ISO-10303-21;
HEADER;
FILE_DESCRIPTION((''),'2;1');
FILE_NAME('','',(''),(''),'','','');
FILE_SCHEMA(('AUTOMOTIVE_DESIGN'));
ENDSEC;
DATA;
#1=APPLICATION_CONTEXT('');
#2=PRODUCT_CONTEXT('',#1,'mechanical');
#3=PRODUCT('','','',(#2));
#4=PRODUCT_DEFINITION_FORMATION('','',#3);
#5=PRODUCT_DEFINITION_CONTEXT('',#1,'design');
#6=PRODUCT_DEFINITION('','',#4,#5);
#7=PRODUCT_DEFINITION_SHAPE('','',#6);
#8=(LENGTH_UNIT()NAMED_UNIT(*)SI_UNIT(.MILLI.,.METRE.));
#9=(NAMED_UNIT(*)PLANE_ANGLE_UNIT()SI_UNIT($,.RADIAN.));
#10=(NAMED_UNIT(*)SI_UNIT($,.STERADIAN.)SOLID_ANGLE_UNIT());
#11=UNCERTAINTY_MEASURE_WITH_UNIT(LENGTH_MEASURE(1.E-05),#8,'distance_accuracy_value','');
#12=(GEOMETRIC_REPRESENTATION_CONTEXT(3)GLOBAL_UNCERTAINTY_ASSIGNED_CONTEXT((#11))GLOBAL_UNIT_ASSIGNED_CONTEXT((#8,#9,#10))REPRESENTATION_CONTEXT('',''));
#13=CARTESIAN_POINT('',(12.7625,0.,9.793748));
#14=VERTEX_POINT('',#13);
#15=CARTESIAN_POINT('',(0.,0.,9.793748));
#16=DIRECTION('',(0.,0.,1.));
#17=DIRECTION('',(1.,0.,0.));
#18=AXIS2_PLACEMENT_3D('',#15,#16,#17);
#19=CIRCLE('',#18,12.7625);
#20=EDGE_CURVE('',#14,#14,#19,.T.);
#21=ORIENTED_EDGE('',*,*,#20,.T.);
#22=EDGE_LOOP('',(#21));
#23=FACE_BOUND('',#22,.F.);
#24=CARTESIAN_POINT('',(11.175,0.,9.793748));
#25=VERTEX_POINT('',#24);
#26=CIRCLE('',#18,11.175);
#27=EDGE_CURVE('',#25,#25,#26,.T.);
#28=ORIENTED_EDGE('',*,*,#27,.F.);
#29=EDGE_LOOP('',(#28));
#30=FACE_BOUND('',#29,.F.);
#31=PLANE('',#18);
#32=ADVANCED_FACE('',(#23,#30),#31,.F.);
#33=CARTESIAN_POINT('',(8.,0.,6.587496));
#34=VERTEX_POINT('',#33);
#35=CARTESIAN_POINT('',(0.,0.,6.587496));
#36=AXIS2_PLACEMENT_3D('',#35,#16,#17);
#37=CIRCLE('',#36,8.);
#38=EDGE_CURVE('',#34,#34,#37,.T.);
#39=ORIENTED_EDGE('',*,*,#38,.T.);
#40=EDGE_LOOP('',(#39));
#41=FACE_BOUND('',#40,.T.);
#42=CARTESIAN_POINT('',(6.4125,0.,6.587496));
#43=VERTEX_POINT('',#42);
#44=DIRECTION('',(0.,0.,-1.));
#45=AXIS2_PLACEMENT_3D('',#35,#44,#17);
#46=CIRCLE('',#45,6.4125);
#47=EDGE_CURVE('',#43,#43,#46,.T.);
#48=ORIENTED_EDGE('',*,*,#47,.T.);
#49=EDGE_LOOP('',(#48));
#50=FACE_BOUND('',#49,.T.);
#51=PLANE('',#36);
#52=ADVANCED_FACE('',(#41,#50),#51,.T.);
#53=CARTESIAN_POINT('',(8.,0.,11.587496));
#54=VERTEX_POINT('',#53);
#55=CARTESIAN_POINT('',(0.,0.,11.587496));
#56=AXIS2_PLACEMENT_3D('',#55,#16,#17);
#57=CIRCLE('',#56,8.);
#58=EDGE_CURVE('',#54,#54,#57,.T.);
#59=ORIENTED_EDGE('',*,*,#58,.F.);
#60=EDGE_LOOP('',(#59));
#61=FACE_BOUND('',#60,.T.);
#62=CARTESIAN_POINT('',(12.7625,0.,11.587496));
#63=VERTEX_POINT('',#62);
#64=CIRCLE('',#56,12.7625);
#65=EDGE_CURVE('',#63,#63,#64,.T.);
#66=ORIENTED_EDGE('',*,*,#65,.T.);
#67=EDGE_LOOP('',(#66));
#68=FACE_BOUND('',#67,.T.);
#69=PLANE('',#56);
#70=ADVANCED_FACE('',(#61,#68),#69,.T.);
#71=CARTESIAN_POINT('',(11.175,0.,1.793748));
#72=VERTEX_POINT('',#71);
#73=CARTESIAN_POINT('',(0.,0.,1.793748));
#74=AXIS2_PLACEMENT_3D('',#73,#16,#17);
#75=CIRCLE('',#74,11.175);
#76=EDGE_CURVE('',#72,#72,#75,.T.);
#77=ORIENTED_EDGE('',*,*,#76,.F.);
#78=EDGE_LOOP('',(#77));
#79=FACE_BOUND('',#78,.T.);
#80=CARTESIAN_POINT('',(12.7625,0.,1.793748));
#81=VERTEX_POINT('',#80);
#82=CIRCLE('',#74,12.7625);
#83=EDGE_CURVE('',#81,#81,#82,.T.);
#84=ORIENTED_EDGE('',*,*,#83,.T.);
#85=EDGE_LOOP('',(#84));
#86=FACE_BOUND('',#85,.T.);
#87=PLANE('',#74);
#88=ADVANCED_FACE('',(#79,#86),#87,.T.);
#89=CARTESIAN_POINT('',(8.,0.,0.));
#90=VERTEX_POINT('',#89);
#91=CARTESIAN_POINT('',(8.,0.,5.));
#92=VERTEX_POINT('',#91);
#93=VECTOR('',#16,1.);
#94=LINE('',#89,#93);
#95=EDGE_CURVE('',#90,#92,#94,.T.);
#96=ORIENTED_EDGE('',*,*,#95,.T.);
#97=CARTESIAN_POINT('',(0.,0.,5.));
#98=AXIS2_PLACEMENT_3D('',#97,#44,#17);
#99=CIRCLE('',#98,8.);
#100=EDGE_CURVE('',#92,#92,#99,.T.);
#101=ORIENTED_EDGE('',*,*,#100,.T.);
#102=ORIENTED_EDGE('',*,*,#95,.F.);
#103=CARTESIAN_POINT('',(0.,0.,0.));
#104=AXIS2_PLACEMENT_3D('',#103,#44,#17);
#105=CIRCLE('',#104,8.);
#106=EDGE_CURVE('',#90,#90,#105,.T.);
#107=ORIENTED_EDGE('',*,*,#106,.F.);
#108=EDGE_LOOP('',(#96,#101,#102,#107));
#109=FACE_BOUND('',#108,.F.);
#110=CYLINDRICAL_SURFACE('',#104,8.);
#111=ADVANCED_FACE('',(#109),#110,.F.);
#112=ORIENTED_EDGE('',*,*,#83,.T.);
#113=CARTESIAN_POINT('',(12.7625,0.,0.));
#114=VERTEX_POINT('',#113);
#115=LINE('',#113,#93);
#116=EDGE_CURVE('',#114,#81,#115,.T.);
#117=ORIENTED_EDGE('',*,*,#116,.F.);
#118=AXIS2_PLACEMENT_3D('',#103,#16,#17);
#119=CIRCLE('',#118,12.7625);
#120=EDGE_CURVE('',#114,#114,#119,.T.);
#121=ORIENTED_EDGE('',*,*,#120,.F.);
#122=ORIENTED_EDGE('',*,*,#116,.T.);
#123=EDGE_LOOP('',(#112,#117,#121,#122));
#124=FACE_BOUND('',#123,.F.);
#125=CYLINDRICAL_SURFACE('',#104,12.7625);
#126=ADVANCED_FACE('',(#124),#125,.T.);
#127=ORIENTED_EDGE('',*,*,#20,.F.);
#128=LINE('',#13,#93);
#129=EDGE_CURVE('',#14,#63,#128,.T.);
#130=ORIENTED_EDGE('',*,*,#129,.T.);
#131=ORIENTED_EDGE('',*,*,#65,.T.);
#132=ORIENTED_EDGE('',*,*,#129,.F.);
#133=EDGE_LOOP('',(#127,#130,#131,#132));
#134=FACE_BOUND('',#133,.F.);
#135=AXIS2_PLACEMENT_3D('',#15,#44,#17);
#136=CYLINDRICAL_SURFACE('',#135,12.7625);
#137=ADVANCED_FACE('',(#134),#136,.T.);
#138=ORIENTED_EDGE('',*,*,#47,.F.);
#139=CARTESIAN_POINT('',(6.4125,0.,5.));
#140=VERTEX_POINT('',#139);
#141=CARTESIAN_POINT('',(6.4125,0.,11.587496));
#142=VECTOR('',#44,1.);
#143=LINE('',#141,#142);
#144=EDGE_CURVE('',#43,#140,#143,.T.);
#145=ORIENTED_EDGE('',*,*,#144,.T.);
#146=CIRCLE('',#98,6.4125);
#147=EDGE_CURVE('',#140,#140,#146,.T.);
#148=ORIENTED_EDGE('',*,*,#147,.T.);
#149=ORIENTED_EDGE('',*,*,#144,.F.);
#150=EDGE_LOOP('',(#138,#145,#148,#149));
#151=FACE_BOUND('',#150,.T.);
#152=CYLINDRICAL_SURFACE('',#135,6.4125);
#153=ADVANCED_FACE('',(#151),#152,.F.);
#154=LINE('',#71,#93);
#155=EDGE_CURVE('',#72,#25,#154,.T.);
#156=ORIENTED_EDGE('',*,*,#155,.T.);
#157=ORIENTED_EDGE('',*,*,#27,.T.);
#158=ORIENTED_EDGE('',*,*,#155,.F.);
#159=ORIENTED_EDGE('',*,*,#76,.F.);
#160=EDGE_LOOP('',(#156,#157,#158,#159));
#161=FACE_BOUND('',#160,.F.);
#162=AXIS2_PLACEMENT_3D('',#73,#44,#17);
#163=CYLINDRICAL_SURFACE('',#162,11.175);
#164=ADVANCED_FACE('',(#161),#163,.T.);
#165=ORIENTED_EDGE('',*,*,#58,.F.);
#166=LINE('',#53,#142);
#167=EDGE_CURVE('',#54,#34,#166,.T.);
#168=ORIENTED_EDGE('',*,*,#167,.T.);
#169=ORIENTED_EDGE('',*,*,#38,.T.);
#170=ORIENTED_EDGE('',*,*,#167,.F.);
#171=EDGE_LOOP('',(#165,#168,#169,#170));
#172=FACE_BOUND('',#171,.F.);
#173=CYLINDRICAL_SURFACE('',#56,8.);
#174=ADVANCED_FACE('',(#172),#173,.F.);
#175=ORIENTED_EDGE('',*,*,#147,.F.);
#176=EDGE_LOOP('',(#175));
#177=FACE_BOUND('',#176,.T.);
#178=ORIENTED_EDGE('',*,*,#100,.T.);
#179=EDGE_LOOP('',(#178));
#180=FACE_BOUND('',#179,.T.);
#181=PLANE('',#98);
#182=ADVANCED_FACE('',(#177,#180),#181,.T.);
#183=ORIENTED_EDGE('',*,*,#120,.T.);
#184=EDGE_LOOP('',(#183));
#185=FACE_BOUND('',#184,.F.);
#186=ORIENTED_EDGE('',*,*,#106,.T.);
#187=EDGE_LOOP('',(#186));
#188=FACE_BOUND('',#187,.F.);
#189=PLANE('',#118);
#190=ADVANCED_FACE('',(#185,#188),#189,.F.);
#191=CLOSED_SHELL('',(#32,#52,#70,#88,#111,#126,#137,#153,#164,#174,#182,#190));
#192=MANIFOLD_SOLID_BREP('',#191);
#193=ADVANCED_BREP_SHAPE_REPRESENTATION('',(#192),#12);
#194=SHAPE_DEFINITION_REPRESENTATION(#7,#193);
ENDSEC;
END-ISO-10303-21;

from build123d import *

# Parameters (mm, degrees)
F0_R     = 12.7625
F0_R_2   = 6.4125
F1_DEPTH = 1.793748
F2_R     = 11.175
F2_R_2   = 6.4125
F3_DEPTH = 8
F4_R     = 12.7625
F4_R_2   = 6.4125
F5_DEPTH = 1.793748
F6_R     = 8
F7_DEPTH = 5
F8_R     = 8
F9_DEPTH = 5


with BuildPart() as f1:
    # F0 (on Top) → F1 (new body)
    with BuildSketch(Plane.XY):
        Circle(F0_R)
        Circle(F0_R_2, mode=Mode.SUBTRACT)
    extrude(amount=F1_DEPTH)

    # F2 (on face) → F3 (join)
    with BuildSketch(Plane.XY.offset(1.793748)):
        Circle(F2_R)
        Circle(F2_R_2, mode=Mode.SUBTRACT)
    extrude(amount=F3_DEPTH)

    # F4 (on face) → F5 (join)
    with BuildSketch(Plane.XY.offset(9.793748)):
        Circle(F4_R)
        Circle(F4_R_2, mode=Mode.SUBTRACT)
    extrude(amount=F5_DEPTH)

    # F6 (on face) → F7 (cut)
    with BuildSketch(Plane(origin=(0, 0, 0), x_dir=(1, 0, 0), z_dir=(0, 0, -1))):
        Circle(F6_R)
    extrude(amount=-F7_DEPTH, mode=Mode.SUBTRACT)

    # F8 (on face) → F9 (cut)
    with BuildSketch(Plane.XY.offset(11.587496)):
        Circle(F8_R)
    extrude(amount=-F9_DEPTH, mode=Mode.SUBTRACT)


solid = f1.part
